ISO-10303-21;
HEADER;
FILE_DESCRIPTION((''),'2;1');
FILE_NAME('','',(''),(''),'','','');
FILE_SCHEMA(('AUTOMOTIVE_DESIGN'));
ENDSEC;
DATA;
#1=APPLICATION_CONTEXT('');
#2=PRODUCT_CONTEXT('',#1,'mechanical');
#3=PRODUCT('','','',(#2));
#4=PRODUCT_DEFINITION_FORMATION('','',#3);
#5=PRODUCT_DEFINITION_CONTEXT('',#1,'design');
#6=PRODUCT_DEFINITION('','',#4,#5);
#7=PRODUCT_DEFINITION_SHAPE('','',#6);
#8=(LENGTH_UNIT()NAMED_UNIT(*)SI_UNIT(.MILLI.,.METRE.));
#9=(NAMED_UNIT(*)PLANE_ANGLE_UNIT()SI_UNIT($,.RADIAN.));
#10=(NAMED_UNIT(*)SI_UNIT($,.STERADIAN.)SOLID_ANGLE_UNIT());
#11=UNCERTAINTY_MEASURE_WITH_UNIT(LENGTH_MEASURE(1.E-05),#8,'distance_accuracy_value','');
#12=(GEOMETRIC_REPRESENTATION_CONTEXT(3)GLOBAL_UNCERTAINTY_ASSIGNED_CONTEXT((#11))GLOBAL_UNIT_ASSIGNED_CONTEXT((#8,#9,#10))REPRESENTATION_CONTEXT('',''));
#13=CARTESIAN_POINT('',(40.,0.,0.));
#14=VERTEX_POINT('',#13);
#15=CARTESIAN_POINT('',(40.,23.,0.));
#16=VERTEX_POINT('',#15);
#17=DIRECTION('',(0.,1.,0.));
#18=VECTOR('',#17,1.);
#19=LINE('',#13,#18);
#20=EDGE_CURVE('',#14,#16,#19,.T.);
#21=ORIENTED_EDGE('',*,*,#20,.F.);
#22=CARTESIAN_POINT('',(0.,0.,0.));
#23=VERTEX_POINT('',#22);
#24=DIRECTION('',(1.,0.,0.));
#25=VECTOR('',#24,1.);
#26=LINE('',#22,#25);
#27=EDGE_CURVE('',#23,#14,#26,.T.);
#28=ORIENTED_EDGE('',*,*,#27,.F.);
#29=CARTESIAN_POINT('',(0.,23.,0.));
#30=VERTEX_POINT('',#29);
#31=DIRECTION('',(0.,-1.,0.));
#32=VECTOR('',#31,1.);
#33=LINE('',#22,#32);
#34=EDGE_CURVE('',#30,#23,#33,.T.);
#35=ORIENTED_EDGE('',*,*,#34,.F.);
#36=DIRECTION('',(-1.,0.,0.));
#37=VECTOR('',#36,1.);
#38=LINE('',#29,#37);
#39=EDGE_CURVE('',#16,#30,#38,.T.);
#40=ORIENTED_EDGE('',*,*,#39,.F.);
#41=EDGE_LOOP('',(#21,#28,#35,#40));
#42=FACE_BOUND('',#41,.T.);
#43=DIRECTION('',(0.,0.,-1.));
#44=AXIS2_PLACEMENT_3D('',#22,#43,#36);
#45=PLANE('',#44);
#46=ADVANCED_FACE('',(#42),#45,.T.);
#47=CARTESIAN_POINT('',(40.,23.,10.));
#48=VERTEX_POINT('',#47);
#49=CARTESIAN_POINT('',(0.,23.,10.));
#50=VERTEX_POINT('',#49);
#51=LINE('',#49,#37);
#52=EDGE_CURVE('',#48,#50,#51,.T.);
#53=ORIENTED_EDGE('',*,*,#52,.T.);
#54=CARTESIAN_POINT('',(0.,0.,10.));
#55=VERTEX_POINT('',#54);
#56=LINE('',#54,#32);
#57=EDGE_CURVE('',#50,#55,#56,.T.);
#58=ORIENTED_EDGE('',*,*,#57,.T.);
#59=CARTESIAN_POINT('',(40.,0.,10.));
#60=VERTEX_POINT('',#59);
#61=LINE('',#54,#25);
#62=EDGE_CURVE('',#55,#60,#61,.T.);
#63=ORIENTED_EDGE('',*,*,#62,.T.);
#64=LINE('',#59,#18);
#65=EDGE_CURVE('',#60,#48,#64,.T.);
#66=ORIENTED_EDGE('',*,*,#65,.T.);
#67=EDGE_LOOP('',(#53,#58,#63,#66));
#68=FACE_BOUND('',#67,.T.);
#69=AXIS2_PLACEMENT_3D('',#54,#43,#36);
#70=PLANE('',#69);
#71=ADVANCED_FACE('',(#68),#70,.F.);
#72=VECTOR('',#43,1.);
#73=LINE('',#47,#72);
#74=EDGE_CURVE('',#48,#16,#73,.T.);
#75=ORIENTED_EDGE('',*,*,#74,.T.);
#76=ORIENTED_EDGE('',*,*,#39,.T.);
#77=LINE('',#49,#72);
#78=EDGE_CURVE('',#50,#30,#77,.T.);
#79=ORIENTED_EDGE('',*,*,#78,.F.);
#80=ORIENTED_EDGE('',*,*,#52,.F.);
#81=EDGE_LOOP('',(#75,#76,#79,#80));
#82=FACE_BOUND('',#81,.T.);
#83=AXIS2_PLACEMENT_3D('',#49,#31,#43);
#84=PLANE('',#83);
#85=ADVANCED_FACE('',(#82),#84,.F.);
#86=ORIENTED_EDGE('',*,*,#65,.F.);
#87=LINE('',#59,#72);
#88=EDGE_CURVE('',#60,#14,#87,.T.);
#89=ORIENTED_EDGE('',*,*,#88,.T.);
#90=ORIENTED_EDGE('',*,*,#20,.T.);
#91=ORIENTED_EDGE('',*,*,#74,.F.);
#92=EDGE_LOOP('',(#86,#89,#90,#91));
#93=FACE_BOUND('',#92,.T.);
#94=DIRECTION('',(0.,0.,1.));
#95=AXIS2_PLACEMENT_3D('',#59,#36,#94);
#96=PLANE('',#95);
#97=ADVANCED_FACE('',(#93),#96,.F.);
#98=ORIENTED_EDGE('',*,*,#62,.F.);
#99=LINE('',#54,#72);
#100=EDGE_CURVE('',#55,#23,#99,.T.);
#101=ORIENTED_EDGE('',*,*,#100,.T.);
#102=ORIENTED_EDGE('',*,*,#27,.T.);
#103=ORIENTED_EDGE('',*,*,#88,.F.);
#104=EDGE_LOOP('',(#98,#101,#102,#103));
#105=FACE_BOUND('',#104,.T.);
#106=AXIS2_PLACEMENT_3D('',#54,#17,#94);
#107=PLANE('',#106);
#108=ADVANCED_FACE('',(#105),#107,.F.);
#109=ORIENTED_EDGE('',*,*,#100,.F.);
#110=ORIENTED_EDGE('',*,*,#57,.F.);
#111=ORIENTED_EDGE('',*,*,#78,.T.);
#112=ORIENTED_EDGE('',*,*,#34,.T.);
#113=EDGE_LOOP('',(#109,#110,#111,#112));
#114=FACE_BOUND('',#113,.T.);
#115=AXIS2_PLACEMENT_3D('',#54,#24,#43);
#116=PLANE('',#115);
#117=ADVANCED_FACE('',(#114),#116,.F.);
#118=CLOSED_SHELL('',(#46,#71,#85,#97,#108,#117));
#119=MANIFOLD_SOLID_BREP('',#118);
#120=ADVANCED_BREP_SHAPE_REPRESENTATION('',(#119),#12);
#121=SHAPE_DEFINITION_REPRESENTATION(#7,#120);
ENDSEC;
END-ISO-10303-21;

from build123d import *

# Parameters (mm, degrees)
RECTANGLESKETCH_W = 40
RECTANGLESKETCH_H = 23
BLINDBOSS_DEPTH   = 10


with BuildPart() as part:
    # RectangleSketch → BlindBoss (new body)
    with BuildSketch(Plane.XY):
        with Locations((20, 11.5)):
            Rectangle(RECTANGLESKETCH_W, RECTANGLESKETCH_H)
    extrude(amount=BLINDBOSS_DEPTH)


solid = part.part
